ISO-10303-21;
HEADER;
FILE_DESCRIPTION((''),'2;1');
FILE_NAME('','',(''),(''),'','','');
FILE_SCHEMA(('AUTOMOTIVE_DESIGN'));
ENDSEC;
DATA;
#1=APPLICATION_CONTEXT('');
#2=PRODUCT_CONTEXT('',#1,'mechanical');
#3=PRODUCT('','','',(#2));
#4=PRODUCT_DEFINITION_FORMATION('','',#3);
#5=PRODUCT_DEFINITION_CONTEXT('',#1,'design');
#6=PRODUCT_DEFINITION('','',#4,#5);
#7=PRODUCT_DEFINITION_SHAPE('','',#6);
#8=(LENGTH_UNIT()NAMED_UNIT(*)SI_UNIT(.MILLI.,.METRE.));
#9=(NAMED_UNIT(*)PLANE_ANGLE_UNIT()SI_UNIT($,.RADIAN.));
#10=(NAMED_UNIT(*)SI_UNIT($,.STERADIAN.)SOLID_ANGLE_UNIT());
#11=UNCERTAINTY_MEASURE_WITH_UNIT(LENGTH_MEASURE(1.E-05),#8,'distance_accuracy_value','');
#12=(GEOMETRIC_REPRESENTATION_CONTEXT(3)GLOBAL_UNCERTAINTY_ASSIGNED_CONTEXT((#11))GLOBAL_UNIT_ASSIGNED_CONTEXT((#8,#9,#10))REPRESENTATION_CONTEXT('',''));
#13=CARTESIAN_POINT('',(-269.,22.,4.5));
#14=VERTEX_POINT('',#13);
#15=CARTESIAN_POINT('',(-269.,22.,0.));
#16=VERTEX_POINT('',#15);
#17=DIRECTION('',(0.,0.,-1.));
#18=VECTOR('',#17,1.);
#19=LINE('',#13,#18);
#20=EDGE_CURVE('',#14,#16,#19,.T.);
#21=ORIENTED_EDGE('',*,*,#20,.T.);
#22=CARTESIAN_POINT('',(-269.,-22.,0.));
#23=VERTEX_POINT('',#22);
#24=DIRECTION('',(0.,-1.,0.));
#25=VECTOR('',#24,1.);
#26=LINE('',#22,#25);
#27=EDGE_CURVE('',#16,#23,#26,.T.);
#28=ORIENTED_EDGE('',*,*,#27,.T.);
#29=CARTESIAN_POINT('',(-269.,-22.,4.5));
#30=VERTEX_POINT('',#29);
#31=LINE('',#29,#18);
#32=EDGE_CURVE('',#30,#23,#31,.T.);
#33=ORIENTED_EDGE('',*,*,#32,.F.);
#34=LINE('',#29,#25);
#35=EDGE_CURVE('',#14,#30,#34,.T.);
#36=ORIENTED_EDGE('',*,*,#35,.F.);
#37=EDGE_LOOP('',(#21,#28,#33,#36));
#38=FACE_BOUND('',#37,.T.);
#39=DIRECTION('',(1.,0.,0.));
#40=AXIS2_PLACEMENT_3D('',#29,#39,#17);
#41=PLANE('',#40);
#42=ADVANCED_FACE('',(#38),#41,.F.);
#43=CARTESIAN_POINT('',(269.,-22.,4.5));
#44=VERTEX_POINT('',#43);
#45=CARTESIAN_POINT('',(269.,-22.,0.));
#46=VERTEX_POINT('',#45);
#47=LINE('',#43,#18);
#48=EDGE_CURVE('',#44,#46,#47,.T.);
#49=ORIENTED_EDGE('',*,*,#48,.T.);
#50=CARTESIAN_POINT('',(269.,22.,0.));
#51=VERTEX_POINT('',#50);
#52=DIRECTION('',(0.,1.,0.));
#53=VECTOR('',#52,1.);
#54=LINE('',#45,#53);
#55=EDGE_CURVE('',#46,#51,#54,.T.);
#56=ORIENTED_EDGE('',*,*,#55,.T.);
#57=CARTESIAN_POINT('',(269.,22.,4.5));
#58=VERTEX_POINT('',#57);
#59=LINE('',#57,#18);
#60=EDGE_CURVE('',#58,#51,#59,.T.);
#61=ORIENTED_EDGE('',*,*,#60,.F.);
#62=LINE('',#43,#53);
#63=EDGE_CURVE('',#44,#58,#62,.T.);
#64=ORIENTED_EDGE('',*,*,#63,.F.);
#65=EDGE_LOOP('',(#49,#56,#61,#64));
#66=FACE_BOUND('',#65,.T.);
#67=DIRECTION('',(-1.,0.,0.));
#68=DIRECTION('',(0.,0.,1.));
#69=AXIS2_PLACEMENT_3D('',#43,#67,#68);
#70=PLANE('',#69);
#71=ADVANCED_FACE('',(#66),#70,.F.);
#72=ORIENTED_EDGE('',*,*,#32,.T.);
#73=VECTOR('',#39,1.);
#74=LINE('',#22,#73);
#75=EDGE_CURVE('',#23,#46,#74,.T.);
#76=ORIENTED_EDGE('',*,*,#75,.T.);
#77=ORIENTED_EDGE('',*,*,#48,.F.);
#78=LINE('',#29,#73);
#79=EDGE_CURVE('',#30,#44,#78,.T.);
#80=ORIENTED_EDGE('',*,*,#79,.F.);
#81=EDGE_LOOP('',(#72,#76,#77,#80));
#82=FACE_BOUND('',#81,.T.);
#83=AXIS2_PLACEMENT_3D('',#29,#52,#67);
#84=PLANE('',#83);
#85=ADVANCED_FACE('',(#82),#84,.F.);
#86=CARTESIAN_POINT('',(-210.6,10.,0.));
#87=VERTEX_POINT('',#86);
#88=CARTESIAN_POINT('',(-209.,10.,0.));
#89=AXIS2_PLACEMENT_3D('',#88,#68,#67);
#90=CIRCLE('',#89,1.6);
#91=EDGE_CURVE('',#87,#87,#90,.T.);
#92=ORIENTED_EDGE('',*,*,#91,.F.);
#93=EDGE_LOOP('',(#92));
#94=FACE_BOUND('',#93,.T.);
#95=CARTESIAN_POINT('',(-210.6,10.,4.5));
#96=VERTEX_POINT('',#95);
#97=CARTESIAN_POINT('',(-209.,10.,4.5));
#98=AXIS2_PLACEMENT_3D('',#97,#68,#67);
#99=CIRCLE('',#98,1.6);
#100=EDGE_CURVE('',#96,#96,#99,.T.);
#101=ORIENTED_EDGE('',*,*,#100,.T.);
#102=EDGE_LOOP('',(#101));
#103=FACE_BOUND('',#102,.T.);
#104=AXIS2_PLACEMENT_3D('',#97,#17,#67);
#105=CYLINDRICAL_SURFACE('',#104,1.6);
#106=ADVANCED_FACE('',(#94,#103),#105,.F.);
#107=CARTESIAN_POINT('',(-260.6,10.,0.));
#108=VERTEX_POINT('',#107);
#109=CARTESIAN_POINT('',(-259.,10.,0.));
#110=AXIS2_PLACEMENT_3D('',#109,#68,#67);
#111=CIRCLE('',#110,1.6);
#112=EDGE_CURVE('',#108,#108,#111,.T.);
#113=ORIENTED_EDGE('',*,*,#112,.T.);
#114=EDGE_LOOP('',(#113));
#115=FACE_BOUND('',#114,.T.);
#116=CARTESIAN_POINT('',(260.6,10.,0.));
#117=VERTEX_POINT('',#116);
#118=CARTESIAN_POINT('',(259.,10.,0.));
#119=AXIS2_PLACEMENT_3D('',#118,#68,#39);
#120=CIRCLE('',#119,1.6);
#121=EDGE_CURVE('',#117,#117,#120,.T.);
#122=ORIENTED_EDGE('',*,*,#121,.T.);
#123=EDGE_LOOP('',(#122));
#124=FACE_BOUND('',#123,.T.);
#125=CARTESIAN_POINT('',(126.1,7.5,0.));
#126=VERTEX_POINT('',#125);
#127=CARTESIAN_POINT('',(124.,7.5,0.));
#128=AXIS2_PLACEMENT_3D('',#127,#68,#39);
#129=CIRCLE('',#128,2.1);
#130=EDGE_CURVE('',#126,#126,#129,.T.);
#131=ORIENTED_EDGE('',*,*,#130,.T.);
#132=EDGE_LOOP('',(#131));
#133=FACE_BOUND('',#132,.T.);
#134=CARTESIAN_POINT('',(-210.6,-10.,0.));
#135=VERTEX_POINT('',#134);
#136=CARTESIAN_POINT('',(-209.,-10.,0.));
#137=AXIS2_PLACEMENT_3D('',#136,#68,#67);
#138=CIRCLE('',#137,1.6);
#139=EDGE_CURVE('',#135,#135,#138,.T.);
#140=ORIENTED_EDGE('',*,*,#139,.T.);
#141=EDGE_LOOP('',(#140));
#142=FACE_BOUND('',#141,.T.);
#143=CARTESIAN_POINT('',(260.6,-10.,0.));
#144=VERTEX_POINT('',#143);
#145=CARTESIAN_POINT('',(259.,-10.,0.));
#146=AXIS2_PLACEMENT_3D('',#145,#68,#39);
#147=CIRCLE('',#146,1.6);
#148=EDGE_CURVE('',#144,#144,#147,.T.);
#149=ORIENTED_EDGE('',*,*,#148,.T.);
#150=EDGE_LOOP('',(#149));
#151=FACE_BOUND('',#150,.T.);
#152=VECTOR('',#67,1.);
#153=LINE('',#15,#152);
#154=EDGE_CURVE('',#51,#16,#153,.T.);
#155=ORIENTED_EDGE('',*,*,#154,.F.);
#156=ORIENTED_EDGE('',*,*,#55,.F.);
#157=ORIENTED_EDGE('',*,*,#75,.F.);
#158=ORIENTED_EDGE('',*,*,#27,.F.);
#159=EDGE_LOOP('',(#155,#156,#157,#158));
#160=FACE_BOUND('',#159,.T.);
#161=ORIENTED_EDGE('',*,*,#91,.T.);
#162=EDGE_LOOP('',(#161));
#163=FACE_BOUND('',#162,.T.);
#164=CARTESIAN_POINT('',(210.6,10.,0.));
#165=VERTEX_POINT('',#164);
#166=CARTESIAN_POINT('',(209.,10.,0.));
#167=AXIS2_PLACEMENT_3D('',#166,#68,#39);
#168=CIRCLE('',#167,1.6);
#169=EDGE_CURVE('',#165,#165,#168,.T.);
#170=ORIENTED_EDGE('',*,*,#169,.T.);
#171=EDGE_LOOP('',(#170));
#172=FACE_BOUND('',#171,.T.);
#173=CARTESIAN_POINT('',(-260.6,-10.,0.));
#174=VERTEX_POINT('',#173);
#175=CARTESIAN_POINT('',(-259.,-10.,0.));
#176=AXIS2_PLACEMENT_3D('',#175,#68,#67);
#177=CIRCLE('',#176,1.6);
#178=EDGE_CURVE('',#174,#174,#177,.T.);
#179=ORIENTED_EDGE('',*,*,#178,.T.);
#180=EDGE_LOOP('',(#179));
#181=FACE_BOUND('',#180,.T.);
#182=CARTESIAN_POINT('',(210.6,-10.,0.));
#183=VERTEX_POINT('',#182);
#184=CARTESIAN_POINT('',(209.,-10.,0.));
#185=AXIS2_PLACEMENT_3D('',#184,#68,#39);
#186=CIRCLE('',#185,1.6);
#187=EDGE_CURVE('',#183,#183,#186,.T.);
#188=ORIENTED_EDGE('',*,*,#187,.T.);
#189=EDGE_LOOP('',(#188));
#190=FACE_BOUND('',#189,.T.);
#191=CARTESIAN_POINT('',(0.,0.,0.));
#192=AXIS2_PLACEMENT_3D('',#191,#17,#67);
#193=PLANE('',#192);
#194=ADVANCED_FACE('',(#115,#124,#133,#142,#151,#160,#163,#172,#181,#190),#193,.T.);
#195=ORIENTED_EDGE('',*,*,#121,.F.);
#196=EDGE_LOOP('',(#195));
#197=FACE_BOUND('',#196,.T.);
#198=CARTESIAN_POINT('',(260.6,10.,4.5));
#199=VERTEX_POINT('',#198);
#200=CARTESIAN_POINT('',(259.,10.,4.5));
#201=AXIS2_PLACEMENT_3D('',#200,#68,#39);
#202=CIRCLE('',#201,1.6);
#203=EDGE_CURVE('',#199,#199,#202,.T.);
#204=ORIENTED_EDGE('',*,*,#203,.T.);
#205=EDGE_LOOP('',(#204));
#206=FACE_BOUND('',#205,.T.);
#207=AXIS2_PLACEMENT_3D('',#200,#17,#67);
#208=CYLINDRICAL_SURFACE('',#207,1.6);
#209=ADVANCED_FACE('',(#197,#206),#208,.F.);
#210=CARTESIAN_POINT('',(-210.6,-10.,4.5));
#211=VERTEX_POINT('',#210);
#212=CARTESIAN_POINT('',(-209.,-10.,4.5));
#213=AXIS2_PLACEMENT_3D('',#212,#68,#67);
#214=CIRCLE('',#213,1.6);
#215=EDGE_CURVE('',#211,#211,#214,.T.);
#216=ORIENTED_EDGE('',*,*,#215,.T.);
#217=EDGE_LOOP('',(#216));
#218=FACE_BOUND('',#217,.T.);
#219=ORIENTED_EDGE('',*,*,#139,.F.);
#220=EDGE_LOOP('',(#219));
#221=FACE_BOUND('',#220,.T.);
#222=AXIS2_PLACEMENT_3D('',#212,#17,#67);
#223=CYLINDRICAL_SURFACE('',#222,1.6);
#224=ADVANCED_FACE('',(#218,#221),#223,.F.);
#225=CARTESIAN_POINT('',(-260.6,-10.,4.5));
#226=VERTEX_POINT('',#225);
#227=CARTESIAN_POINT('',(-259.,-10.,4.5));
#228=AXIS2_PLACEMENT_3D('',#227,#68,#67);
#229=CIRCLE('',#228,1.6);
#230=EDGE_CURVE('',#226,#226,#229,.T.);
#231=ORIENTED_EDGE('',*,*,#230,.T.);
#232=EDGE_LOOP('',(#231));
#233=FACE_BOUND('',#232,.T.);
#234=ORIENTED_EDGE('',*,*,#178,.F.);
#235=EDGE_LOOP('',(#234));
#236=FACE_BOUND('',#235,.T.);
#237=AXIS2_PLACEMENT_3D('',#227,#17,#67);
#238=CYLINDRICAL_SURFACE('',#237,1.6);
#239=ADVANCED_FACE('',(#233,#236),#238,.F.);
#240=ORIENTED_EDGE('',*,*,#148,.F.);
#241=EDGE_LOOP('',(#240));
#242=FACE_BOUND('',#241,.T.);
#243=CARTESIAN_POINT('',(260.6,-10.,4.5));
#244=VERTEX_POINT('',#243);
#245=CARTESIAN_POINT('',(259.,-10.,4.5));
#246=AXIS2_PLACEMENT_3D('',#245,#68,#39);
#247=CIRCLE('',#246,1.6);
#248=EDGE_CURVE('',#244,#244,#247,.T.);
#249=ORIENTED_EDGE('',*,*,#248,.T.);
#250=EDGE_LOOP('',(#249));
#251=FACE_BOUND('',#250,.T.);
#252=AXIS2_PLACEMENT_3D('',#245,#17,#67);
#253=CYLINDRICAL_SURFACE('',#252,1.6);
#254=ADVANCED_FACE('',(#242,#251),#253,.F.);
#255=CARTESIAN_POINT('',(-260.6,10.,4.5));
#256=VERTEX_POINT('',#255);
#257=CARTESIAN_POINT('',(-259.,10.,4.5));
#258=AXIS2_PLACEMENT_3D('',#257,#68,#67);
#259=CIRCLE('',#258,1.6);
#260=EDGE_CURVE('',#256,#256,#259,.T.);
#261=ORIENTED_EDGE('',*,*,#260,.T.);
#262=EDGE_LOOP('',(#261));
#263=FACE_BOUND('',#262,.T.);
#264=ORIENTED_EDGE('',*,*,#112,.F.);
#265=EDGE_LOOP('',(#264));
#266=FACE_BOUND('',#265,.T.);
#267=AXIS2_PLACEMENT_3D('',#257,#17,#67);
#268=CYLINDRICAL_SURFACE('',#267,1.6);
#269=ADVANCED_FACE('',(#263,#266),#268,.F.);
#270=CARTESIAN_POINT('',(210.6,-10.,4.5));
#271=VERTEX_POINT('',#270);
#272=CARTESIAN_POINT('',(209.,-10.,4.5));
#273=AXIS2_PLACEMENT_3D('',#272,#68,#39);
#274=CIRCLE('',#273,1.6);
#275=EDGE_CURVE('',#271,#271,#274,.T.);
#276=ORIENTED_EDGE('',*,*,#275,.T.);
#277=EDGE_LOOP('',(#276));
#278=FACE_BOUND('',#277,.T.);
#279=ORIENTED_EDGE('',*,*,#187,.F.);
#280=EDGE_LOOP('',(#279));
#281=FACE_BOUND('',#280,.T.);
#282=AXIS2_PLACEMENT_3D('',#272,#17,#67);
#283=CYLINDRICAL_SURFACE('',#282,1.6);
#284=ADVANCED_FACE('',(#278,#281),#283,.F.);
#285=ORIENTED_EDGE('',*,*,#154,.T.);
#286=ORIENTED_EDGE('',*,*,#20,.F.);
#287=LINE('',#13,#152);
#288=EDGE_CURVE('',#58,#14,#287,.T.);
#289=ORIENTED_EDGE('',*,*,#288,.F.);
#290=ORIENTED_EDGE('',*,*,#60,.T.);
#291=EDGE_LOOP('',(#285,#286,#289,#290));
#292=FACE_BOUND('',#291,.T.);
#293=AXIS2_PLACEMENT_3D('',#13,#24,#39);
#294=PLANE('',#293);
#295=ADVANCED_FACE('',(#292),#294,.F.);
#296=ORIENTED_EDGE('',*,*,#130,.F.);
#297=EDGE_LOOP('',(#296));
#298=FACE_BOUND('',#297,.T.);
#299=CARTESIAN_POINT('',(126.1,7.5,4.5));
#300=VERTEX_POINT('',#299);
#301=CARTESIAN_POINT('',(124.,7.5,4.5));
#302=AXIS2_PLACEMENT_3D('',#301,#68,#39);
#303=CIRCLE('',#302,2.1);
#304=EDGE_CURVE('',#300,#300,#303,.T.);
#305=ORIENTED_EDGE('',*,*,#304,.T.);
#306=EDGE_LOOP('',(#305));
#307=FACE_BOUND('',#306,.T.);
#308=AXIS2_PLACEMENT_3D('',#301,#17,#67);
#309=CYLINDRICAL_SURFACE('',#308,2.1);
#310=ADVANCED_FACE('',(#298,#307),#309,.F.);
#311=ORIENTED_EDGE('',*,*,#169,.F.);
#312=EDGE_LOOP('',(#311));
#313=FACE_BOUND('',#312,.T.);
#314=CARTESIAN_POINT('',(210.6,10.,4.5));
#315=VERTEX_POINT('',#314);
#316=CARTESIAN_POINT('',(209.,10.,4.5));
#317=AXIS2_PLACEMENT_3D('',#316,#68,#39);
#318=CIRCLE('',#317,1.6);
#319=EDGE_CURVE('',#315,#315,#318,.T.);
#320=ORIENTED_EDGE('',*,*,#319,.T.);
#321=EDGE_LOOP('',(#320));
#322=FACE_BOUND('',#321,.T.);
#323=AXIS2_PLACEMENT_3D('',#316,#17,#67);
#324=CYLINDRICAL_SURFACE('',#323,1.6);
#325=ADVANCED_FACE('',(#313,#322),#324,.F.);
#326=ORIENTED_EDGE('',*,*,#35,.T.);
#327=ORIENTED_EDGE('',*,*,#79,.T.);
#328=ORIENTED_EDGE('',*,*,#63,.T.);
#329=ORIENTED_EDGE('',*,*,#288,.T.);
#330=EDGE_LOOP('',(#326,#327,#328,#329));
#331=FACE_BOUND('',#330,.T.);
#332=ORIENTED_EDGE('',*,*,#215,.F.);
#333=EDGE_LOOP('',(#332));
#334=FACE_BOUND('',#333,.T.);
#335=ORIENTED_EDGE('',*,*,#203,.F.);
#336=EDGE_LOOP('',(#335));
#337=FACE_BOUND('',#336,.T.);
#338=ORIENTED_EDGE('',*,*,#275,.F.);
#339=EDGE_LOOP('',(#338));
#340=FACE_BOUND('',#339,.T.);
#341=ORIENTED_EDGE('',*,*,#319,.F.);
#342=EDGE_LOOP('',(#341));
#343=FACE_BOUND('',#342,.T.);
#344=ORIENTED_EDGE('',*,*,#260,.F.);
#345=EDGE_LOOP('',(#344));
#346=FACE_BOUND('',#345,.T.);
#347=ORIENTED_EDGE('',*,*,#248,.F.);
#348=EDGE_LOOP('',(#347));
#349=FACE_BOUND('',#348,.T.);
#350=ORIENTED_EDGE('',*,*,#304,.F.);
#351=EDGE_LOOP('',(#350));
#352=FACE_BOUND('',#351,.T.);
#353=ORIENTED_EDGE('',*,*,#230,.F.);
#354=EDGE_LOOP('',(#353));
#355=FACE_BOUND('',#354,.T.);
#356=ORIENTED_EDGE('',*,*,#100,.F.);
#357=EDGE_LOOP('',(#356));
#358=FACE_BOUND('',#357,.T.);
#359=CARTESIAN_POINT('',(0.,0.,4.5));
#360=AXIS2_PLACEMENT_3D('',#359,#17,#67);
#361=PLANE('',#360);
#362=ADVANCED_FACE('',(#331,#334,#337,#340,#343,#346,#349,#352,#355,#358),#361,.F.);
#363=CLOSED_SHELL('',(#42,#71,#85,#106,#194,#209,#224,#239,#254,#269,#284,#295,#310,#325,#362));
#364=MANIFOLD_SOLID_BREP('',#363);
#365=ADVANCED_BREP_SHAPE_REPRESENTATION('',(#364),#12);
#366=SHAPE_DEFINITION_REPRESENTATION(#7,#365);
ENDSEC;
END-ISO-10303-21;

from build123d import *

# Parameters (mm, degrees)
SKETCH2_W           = 538
SKETCH2_H           = 44
SKETCH2_R           = 2.1
SKETCH2_R_2         = 1.6
BOSS_EXTRUDE1_DEPTH = 4.5


with BuildPart() as part:
    # Sketch2 → Boss-Extrude1 (new body)
    with BuildSketch(Plane.XY):
        Rectangle(SKETCH2_W, SKETCH2_H)
        with Locations((124, 7.5)):
            Circle(SKETCH2_R, mode=Mode.SUBTRACT)
        with Locations((259, 10)):
            Circle(SKETCH2_R_2, mode=Mode.SUBTRACT)
        with Locations((209, 10)):
            Circle(SKETCH2_R_2, mode=Mode.SUBTRACT)
        with Locations((209, -10)):
            Circle(SKETCH2_R_2, mode=Mode.SUBTRACT)
        with Locations((259, -10)):
            Circle(SKETCH2_R_2, mode=Mode.SUBTRACT)
        with Locations((-209, 10)):
            Circle(SKETCH2_R_2, mode=Mode.SUBTRACT)
        with Locations((-209, -10)):
            Circle(SKETCH2_R_2, mode=Mode.SUBTRACT)
        with Locations((-259, -10)):
            Circle(SKETCH2_R_2, mode=Mode.SUBTRACT)
        with Locations((-259, 10)):
            Circle(SKETCH2_R_2, mode=Mode.SUBTRACT)
    extrude(amount=BOSS_EXTRUDE1_DEPTH)


solid = part.part
